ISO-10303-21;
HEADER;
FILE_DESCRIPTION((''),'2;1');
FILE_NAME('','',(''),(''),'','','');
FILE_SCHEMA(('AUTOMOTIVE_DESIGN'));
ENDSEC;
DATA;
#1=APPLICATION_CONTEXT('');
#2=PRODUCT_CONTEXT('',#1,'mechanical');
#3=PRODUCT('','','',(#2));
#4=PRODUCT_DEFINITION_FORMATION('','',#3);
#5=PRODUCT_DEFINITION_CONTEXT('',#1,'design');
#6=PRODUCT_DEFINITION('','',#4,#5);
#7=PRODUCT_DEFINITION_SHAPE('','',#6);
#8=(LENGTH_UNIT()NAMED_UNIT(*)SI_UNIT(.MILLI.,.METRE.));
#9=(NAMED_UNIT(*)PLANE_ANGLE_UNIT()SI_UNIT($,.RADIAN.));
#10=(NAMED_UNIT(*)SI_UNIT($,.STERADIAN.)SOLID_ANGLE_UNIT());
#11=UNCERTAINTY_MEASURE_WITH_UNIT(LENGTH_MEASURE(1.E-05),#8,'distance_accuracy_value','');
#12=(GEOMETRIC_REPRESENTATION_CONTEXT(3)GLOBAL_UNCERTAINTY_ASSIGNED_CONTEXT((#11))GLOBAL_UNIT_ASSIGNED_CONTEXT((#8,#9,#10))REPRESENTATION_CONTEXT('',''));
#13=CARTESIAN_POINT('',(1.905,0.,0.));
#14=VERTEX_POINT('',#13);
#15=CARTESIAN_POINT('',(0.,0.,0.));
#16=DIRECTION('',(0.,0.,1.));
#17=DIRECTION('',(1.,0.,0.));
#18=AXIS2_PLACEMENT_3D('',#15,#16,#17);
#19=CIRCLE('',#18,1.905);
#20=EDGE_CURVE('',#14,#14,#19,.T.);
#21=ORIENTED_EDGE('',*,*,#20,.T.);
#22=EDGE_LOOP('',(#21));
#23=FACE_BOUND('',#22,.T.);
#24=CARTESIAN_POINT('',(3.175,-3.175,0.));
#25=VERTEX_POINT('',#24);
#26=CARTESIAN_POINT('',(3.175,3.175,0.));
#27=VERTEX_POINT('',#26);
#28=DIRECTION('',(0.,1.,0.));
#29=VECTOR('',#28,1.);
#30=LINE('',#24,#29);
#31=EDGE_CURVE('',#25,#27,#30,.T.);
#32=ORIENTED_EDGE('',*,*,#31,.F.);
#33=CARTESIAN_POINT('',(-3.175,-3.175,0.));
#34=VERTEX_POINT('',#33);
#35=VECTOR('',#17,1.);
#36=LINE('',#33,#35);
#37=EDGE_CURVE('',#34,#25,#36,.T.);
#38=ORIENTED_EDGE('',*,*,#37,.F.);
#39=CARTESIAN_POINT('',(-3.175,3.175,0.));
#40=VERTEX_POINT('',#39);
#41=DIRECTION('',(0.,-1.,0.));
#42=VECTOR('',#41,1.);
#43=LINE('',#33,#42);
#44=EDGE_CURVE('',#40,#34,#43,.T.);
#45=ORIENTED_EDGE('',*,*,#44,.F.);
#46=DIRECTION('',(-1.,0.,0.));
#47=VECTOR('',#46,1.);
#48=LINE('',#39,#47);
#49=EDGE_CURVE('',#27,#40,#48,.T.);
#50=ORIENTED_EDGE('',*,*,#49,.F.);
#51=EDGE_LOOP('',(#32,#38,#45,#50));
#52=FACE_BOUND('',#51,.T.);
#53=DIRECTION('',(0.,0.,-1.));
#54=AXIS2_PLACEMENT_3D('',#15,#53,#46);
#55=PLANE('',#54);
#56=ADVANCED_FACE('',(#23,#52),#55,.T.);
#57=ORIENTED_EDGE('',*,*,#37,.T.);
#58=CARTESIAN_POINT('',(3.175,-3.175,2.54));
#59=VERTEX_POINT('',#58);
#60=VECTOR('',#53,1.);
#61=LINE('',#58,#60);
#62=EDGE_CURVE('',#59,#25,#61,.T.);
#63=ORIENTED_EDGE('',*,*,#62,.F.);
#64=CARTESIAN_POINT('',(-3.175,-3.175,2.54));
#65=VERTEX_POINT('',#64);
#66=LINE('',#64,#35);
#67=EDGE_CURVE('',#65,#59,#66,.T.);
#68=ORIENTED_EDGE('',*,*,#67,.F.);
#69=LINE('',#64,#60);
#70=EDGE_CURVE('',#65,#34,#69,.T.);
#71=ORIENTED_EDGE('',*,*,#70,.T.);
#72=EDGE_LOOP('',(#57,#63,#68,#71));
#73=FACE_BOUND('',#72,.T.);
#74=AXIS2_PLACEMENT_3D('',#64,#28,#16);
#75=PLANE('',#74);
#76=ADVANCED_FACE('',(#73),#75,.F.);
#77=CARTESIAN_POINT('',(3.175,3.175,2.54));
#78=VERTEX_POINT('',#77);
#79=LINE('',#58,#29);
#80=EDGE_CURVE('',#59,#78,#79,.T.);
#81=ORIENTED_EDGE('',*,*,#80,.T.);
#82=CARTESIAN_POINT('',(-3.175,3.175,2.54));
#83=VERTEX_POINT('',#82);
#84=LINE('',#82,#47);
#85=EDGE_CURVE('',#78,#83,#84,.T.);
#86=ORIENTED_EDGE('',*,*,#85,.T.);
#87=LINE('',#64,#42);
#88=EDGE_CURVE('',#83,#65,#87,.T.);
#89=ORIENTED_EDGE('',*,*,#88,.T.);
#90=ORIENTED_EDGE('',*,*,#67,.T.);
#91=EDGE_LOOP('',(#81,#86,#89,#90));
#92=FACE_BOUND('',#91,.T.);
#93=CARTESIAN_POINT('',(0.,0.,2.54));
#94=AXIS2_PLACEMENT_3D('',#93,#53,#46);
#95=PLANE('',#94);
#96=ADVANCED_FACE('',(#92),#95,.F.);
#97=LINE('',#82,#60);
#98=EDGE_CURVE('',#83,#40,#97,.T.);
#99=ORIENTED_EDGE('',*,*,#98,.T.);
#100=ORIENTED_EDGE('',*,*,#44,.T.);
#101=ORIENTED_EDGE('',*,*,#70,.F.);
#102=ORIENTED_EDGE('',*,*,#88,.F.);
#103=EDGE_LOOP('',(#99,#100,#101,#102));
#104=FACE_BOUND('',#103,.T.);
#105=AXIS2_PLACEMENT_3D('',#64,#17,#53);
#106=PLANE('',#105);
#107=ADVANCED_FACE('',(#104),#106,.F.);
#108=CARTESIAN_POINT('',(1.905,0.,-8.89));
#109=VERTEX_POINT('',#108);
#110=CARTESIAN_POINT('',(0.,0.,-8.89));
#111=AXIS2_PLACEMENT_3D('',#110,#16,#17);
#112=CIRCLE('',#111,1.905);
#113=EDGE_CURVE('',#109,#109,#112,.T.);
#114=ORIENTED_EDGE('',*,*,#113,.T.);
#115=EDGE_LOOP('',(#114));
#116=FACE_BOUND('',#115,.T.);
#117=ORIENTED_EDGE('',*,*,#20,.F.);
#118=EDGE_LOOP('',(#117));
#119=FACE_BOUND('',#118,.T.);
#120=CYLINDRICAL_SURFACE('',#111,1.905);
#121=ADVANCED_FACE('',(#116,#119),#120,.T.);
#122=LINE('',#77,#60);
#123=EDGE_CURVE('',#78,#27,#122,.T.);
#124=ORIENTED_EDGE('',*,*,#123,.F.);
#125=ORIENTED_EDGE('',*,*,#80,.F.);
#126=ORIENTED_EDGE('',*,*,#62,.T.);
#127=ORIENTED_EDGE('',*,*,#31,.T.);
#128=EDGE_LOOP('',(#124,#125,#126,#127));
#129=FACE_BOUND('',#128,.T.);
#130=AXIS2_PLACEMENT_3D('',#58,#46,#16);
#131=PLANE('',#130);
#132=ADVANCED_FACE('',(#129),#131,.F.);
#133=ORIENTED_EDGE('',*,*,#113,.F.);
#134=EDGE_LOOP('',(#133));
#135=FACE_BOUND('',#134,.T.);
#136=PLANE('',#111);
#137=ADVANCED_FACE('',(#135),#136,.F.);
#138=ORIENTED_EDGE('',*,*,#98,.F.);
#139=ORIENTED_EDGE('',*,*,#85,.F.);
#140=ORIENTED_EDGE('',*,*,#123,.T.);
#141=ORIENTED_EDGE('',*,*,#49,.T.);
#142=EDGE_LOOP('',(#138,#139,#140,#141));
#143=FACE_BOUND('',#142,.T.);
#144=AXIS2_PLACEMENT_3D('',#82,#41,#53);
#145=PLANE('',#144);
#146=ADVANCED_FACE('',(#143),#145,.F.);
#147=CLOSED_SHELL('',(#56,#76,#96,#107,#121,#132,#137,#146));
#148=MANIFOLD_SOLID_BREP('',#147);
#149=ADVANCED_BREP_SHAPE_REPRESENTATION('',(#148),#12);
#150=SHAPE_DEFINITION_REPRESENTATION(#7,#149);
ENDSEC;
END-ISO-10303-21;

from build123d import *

# Parameters (mm, degrees)
SKETCH1_R           = 1.905
BOSS_EXTRUDE1_DEPTH = 8.89
SKETCH2_W           = 6.35
SKETCH2_H           = 6.35
BOSS_EXTRUDE2_DEPTH = 2.54


with BuildPart() as part:
    # Sketch1 → Boss-Extrude1 (new body)
    with BuildSketch(Plane.XY):
        Circle(SKETCH1_R)
    extrude(amount=-BOSS_EXTRUDE1_DEPTH)

    # Sketch2 → Boss-Extrude2 (add)
    with BuildSketch(Plane.XY):
        Rectangle(SKETCH2_W, SKETCH2_H)
    extrude(amount=BOSS_EXTRUDE2_DEPTH)


solid = part.part
